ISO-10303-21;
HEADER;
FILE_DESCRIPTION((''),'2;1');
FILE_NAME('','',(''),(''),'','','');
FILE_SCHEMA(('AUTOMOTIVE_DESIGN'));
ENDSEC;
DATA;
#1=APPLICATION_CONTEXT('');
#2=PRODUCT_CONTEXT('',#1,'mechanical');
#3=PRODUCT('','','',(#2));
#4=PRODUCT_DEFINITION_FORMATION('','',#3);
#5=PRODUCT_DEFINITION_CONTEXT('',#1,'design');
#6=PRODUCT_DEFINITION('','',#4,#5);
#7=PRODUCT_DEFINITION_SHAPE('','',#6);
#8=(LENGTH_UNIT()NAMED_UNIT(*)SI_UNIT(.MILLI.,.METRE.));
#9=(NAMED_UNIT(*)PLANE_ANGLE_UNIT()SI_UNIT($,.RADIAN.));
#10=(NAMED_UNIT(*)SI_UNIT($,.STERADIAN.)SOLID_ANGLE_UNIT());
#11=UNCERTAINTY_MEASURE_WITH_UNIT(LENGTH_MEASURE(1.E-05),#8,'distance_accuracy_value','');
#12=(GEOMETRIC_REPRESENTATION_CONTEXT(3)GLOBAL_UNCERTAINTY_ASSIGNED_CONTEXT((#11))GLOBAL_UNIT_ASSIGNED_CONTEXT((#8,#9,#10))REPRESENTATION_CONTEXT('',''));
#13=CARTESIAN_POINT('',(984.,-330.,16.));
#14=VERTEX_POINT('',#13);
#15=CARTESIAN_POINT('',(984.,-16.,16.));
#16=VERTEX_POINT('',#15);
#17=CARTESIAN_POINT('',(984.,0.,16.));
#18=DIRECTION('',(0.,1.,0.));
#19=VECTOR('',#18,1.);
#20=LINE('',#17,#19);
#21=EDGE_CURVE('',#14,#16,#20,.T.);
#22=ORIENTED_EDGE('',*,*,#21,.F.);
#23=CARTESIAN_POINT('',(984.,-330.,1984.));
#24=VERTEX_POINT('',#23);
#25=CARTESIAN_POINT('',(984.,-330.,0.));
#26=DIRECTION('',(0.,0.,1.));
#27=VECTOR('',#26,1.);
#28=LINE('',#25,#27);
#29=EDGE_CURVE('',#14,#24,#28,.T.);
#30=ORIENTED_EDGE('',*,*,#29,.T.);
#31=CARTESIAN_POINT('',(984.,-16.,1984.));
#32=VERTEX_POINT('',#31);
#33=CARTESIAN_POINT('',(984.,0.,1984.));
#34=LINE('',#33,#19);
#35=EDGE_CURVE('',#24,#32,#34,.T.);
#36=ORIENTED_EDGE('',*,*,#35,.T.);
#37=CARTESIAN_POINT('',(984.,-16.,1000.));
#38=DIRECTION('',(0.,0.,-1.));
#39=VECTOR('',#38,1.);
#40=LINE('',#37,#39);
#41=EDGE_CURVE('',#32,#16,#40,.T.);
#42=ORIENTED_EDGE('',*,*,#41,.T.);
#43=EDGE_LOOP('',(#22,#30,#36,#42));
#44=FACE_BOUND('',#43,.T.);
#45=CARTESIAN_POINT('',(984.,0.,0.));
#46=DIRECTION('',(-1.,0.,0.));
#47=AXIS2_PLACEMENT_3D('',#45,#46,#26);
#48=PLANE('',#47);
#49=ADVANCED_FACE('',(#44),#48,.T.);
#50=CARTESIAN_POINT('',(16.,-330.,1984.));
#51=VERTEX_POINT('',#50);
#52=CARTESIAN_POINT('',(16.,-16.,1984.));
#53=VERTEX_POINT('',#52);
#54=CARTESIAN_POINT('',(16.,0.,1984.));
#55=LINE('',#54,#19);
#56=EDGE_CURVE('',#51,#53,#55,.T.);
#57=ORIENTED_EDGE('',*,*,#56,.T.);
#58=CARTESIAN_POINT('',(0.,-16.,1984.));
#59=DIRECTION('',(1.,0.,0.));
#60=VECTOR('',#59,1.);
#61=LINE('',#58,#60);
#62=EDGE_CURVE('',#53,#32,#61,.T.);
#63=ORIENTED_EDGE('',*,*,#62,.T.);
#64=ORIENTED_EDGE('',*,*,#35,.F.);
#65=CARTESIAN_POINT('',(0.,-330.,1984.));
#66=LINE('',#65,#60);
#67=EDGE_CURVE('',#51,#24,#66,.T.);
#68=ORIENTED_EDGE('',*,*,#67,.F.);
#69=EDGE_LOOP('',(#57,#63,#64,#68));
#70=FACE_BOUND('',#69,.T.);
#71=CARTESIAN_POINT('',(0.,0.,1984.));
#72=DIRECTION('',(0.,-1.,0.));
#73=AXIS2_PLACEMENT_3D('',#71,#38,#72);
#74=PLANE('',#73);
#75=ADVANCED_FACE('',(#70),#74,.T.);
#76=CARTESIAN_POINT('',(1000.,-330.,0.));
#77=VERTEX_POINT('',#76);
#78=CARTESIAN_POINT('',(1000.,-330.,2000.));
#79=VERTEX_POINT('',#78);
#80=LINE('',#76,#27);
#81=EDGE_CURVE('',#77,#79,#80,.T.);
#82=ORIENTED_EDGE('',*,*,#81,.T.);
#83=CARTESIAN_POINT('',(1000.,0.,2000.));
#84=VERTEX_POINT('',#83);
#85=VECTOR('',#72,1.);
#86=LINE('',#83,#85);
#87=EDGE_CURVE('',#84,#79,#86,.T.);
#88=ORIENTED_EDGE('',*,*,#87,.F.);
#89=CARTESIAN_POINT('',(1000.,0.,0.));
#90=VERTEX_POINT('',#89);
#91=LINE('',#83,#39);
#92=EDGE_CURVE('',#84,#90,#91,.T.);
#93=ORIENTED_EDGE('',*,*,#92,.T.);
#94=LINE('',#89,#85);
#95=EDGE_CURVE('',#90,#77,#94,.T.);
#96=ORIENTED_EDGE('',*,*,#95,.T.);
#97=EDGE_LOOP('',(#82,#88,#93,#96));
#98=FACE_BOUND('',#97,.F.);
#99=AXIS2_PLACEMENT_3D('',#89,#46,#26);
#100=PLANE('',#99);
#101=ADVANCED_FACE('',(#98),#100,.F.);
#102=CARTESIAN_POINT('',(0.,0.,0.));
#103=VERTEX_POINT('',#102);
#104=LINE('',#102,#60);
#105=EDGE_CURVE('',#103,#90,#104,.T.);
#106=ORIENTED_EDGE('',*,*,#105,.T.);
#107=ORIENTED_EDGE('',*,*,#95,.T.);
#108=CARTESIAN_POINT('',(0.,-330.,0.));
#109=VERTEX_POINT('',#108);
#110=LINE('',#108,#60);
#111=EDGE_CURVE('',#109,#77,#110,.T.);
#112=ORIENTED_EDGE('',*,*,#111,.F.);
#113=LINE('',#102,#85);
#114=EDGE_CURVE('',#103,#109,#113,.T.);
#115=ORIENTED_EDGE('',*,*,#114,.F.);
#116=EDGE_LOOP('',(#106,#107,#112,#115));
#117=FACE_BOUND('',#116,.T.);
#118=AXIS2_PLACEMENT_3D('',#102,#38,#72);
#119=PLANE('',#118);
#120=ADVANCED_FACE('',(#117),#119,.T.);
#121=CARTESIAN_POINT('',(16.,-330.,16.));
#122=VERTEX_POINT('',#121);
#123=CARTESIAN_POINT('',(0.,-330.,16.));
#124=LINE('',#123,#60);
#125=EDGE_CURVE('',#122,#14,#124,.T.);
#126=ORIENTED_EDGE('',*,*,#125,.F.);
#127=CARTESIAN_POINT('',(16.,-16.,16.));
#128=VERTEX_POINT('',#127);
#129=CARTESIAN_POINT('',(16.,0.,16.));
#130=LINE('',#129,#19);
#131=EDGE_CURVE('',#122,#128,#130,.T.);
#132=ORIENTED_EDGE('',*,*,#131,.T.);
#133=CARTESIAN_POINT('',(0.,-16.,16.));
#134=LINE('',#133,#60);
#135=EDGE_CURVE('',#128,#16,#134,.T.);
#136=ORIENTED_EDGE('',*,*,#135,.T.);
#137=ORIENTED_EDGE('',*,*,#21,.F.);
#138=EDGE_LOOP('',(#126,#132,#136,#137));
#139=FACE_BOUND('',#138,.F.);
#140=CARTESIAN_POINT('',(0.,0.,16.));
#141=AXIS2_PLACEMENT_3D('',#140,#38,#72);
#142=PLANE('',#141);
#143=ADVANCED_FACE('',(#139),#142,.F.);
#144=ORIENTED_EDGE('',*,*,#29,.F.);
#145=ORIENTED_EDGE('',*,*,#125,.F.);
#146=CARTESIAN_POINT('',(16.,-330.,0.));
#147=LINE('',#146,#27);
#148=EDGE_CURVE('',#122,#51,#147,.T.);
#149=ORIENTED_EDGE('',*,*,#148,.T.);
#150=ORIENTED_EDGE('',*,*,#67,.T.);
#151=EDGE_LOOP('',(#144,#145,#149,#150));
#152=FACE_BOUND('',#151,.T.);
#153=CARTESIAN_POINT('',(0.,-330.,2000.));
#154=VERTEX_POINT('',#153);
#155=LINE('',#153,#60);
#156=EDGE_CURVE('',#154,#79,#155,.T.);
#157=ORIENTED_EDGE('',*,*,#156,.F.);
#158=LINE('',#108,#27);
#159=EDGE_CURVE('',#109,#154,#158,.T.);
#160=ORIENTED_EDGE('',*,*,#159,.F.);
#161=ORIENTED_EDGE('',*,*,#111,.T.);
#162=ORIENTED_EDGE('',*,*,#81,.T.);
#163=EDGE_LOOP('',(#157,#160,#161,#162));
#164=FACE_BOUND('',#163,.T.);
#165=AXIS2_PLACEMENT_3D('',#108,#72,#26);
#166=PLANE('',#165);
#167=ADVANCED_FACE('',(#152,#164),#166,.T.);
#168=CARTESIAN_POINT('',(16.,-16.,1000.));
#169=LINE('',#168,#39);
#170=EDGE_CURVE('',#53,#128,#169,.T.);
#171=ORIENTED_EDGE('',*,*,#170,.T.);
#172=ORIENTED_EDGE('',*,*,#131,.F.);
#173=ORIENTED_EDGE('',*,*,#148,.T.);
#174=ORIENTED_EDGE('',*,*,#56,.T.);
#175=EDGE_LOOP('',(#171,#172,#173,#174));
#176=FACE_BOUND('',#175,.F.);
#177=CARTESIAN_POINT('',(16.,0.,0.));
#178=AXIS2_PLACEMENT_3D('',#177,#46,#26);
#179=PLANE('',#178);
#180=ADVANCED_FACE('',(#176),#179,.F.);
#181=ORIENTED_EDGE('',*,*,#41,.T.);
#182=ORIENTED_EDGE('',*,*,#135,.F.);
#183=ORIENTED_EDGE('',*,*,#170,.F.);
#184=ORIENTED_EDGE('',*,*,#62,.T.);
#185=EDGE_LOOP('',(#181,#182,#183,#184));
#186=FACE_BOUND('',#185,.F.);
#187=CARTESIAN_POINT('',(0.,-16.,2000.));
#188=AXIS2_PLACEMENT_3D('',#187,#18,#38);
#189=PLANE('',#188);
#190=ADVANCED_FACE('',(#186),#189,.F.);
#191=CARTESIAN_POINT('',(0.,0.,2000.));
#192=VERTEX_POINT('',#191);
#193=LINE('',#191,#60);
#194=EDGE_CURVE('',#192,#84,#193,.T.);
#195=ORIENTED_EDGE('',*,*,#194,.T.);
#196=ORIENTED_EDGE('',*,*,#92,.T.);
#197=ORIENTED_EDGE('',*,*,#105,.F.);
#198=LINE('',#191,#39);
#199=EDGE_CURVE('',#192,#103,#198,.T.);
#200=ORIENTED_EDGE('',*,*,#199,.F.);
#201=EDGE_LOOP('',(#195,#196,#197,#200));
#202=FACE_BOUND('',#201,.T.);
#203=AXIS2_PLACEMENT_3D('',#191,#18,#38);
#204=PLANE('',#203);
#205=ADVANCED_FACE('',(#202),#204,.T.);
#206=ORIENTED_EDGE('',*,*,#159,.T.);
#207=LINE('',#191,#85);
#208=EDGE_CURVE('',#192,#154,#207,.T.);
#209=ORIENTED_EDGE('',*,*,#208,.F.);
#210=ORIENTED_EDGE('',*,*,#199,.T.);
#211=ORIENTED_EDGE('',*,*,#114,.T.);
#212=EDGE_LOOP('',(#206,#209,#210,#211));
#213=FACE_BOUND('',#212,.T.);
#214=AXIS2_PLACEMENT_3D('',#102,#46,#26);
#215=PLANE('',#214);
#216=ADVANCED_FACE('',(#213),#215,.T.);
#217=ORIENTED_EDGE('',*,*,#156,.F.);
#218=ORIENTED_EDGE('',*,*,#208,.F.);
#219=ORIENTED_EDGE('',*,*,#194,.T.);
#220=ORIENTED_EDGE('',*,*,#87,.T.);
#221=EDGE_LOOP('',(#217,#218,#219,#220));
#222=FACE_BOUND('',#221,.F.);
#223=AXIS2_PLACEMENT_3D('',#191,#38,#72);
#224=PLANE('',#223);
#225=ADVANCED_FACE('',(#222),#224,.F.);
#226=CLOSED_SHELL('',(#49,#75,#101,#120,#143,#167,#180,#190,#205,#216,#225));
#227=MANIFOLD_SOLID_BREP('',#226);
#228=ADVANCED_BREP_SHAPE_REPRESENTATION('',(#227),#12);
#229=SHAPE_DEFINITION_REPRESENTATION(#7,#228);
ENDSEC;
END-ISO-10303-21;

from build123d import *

# Parameters (mm, degrees)
F0_W     = 52.0596802235
F0_H     = 50.2265766263
F1_DEPTH = 330
F2_DEPTH = 2000
F3_DEPTH = 2000
F4_DEPTH = 1000
F5_T     = -16


with BuildPart() as f1:
    # F0 (on Front) → F1 (new body)
    with BuildSketch(Plane.XZ):
        with Locations((26.0298401117, 25.1132883132)):
            Rectangle(F0_W, F0_H)
    extrude(amount=F1_DEPTH)

    # F2 (add): a face of the model
    f2_faces = [f1.faces().sort_by_distance(p)[0] for p in [
        (0, -165, 25.1132883132),
    ]]
    extrude(f2_faces, amount=-F2_DEPTH)

    # F3 (add): a face of the model
    f3_faces = [f1.faces().sort_by_distance(p)[0] for p in [
        (1000, -165, 0),
    ]]
    extrude(f3_faces, amount=-F3_DEPTH)

    # F4 (intersect): a face of the model
    f4_faces = [f1.faces().sort_by_distance(p)[0] for p in [
        (0, -165, 1000),
    ]]
    extrude(f4_faces, amount=-F4_DEPTH, mode=Mode.INTERSECT)

    # F5
    f5_openings = [f1.faces().sort_by_distance(p)[0] for p in [
        (500, -330, 1000),
    ]]
    offset(amount=F5_T, openings=f5_openings)


solid = f1.part
